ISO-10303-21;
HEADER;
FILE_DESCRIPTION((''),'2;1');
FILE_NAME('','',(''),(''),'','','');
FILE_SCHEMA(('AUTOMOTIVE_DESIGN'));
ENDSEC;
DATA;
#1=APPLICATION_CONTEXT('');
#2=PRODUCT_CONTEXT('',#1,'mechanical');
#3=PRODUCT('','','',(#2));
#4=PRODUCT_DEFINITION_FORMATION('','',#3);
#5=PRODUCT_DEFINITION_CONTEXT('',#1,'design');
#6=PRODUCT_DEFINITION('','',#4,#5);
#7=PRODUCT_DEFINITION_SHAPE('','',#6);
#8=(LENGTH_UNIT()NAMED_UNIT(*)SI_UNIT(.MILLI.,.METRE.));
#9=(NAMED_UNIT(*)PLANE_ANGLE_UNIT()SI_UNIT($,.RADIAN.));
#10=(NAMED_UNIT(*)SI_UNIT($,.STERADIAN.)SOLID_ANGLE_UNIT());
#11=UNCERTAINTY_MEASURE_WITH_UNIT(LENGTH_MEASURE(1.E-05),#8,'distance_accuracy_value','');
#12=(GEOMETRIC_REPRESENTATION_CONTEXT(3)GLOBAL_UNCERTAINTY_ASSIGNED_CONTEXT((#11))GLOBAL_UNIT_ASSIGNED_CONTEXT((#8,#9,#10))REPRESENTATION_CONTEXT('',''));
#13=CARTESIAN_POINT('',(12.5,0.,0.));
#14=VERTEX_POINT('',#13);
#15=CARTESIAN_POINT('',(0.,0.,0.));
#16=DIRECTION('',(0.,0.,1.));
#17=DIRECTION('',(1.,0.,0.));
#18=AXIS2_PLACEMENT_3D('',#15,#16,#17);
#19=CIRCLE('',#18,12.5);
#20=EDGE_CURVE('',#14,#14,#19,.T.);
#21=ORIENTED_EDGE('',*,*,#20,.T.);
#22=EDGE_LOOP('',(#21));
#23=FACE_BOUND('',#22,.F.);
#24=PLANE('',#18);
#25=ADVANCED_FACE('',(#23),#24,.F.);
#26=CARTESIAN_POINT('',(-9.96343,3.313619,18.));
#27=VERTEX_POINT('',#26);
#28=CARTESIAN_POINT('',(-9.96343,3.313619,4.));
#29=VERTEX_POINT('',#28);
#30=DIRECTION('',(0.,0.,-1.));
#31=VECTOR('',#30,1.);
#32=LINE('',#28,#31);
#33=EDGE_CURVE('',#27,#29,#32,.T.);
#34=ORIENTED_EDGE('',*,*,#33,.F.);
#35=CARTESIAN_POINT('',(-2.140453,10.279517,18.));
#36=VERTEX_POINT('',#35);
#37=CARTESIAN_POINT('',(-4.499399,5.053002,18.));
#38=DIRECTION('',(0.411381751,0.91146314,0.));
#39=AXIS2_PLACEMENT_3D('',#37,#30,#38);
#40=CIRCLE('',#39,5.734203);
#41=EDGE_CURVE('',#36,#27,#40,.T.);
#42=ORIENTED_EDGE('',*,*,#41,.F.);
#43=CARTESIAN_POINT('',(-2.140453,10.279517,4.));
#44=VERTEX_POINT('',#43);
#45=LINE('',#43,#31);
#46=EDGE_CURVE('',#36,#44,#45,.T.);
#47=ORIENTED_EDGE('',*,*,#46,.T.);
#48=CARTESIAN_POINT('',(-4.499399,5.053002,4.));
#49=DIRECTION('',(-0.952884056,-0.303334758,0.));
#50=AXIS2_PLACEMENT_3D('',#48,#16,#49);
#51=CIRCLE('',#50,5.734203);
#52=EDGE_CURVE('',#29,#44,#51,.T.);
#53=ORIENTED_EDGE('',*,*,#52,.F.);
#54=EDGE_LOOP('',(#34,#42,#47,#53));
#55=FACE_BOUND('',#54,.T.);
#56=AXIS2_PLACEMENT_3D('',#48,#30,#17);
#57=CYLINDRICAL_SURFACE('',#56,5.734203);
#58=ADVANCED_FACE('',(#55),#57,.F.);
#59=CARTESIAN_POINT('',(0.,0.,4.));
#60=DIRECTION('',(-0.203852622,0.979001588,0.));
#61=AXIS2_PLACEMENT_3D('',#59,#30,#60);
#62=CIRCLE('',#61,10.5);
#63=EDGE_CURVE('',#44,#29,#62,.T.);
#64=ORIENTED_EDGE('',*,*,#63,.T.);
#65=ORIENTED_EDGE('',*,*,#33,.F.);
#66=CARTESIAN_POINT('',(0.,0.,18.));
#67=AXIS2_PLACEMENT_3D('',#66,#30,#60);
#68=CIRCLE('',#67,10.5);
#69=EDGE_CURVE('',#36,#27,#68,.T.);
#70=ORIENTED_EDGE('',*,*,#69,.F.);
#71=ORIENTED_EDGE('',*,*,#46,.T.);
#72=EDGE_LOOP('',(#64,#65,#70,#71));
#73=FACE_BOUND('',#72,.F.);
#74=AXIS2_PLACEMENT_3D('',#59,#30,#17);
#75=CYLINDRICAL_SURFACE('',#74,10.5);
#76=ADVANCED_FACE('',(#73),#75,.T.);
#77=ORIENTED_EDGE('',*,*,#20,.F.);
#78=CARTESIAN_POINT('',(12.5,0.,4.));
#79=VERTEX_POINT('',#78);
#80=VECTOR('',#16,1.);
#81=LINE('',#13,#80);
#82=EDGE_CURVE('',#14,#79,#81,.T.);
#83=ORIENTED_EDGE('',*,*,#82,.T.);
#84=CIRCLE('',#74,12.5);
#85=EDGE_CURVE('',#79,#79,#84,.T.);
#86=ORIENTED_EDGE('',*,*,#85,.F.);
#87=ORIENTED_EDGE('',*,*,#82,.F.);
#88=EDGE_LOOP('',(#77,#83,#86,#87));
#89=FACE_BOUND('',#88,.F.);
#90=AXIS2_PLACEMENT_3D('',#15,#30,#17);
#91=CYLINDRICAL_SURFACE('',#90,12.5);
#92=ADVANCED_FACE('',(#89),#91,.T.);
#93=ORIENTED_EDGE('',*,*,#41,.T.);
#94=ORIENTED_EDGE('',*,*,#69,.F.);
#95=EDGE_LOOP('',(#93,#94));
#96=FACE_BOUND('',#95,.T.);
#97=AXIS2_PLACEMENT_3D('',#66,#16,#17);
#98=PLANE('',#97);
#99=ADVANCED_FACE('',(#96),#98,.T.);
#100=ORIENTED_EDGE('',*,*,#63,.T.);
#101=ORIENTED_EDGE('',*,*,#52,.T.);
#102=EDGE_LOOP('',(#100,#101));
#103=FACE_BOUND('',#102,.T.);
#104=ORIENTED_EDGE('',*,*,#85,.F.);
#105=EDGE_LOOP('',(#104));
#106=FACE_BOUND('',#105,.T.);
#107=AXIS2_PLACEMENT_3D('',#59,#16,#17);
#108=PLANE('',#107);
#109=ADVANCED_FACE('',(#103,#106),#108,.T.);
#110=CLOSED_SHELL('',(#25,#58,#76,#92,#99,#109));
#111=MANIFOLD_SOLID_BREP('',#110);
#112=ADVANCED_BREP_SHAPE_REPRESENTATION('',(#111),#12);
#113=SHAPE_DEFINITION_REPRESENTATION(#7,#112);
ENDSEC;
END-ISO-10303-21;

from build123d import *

# Parameters (mm, degrees)
F0_R     = 12.5
F1_DEPTH = 4
F2_R     = 10.5
F3_DEPTH = 14
F4_R     = 5.734203
F5_DEPTH = 14


with BuildPart() as f1:
    # F0 (on Top) → F1 (new body)
    with BuildSketch(Plane.XY):
        Circle(F0_R)
    extrude(amount=F1_DEPTH)

    # F2 (on face) → F3 (join)
    with BuildSketch(Plane.XY.offset(4)):
        Circle(F2_R)
    extrude(amount=F3_DEPTH)

    # F4 (on face) → F5 (cut)
    with BuildSketch(Plane.XY.offset(4)):
        with Locations((-4.499399, 5.053002)):
            Circle(F4_R)
    extrude(amount=F5_DEPTH, mode=Mode.SUBTRACT)


solid = f1.part
